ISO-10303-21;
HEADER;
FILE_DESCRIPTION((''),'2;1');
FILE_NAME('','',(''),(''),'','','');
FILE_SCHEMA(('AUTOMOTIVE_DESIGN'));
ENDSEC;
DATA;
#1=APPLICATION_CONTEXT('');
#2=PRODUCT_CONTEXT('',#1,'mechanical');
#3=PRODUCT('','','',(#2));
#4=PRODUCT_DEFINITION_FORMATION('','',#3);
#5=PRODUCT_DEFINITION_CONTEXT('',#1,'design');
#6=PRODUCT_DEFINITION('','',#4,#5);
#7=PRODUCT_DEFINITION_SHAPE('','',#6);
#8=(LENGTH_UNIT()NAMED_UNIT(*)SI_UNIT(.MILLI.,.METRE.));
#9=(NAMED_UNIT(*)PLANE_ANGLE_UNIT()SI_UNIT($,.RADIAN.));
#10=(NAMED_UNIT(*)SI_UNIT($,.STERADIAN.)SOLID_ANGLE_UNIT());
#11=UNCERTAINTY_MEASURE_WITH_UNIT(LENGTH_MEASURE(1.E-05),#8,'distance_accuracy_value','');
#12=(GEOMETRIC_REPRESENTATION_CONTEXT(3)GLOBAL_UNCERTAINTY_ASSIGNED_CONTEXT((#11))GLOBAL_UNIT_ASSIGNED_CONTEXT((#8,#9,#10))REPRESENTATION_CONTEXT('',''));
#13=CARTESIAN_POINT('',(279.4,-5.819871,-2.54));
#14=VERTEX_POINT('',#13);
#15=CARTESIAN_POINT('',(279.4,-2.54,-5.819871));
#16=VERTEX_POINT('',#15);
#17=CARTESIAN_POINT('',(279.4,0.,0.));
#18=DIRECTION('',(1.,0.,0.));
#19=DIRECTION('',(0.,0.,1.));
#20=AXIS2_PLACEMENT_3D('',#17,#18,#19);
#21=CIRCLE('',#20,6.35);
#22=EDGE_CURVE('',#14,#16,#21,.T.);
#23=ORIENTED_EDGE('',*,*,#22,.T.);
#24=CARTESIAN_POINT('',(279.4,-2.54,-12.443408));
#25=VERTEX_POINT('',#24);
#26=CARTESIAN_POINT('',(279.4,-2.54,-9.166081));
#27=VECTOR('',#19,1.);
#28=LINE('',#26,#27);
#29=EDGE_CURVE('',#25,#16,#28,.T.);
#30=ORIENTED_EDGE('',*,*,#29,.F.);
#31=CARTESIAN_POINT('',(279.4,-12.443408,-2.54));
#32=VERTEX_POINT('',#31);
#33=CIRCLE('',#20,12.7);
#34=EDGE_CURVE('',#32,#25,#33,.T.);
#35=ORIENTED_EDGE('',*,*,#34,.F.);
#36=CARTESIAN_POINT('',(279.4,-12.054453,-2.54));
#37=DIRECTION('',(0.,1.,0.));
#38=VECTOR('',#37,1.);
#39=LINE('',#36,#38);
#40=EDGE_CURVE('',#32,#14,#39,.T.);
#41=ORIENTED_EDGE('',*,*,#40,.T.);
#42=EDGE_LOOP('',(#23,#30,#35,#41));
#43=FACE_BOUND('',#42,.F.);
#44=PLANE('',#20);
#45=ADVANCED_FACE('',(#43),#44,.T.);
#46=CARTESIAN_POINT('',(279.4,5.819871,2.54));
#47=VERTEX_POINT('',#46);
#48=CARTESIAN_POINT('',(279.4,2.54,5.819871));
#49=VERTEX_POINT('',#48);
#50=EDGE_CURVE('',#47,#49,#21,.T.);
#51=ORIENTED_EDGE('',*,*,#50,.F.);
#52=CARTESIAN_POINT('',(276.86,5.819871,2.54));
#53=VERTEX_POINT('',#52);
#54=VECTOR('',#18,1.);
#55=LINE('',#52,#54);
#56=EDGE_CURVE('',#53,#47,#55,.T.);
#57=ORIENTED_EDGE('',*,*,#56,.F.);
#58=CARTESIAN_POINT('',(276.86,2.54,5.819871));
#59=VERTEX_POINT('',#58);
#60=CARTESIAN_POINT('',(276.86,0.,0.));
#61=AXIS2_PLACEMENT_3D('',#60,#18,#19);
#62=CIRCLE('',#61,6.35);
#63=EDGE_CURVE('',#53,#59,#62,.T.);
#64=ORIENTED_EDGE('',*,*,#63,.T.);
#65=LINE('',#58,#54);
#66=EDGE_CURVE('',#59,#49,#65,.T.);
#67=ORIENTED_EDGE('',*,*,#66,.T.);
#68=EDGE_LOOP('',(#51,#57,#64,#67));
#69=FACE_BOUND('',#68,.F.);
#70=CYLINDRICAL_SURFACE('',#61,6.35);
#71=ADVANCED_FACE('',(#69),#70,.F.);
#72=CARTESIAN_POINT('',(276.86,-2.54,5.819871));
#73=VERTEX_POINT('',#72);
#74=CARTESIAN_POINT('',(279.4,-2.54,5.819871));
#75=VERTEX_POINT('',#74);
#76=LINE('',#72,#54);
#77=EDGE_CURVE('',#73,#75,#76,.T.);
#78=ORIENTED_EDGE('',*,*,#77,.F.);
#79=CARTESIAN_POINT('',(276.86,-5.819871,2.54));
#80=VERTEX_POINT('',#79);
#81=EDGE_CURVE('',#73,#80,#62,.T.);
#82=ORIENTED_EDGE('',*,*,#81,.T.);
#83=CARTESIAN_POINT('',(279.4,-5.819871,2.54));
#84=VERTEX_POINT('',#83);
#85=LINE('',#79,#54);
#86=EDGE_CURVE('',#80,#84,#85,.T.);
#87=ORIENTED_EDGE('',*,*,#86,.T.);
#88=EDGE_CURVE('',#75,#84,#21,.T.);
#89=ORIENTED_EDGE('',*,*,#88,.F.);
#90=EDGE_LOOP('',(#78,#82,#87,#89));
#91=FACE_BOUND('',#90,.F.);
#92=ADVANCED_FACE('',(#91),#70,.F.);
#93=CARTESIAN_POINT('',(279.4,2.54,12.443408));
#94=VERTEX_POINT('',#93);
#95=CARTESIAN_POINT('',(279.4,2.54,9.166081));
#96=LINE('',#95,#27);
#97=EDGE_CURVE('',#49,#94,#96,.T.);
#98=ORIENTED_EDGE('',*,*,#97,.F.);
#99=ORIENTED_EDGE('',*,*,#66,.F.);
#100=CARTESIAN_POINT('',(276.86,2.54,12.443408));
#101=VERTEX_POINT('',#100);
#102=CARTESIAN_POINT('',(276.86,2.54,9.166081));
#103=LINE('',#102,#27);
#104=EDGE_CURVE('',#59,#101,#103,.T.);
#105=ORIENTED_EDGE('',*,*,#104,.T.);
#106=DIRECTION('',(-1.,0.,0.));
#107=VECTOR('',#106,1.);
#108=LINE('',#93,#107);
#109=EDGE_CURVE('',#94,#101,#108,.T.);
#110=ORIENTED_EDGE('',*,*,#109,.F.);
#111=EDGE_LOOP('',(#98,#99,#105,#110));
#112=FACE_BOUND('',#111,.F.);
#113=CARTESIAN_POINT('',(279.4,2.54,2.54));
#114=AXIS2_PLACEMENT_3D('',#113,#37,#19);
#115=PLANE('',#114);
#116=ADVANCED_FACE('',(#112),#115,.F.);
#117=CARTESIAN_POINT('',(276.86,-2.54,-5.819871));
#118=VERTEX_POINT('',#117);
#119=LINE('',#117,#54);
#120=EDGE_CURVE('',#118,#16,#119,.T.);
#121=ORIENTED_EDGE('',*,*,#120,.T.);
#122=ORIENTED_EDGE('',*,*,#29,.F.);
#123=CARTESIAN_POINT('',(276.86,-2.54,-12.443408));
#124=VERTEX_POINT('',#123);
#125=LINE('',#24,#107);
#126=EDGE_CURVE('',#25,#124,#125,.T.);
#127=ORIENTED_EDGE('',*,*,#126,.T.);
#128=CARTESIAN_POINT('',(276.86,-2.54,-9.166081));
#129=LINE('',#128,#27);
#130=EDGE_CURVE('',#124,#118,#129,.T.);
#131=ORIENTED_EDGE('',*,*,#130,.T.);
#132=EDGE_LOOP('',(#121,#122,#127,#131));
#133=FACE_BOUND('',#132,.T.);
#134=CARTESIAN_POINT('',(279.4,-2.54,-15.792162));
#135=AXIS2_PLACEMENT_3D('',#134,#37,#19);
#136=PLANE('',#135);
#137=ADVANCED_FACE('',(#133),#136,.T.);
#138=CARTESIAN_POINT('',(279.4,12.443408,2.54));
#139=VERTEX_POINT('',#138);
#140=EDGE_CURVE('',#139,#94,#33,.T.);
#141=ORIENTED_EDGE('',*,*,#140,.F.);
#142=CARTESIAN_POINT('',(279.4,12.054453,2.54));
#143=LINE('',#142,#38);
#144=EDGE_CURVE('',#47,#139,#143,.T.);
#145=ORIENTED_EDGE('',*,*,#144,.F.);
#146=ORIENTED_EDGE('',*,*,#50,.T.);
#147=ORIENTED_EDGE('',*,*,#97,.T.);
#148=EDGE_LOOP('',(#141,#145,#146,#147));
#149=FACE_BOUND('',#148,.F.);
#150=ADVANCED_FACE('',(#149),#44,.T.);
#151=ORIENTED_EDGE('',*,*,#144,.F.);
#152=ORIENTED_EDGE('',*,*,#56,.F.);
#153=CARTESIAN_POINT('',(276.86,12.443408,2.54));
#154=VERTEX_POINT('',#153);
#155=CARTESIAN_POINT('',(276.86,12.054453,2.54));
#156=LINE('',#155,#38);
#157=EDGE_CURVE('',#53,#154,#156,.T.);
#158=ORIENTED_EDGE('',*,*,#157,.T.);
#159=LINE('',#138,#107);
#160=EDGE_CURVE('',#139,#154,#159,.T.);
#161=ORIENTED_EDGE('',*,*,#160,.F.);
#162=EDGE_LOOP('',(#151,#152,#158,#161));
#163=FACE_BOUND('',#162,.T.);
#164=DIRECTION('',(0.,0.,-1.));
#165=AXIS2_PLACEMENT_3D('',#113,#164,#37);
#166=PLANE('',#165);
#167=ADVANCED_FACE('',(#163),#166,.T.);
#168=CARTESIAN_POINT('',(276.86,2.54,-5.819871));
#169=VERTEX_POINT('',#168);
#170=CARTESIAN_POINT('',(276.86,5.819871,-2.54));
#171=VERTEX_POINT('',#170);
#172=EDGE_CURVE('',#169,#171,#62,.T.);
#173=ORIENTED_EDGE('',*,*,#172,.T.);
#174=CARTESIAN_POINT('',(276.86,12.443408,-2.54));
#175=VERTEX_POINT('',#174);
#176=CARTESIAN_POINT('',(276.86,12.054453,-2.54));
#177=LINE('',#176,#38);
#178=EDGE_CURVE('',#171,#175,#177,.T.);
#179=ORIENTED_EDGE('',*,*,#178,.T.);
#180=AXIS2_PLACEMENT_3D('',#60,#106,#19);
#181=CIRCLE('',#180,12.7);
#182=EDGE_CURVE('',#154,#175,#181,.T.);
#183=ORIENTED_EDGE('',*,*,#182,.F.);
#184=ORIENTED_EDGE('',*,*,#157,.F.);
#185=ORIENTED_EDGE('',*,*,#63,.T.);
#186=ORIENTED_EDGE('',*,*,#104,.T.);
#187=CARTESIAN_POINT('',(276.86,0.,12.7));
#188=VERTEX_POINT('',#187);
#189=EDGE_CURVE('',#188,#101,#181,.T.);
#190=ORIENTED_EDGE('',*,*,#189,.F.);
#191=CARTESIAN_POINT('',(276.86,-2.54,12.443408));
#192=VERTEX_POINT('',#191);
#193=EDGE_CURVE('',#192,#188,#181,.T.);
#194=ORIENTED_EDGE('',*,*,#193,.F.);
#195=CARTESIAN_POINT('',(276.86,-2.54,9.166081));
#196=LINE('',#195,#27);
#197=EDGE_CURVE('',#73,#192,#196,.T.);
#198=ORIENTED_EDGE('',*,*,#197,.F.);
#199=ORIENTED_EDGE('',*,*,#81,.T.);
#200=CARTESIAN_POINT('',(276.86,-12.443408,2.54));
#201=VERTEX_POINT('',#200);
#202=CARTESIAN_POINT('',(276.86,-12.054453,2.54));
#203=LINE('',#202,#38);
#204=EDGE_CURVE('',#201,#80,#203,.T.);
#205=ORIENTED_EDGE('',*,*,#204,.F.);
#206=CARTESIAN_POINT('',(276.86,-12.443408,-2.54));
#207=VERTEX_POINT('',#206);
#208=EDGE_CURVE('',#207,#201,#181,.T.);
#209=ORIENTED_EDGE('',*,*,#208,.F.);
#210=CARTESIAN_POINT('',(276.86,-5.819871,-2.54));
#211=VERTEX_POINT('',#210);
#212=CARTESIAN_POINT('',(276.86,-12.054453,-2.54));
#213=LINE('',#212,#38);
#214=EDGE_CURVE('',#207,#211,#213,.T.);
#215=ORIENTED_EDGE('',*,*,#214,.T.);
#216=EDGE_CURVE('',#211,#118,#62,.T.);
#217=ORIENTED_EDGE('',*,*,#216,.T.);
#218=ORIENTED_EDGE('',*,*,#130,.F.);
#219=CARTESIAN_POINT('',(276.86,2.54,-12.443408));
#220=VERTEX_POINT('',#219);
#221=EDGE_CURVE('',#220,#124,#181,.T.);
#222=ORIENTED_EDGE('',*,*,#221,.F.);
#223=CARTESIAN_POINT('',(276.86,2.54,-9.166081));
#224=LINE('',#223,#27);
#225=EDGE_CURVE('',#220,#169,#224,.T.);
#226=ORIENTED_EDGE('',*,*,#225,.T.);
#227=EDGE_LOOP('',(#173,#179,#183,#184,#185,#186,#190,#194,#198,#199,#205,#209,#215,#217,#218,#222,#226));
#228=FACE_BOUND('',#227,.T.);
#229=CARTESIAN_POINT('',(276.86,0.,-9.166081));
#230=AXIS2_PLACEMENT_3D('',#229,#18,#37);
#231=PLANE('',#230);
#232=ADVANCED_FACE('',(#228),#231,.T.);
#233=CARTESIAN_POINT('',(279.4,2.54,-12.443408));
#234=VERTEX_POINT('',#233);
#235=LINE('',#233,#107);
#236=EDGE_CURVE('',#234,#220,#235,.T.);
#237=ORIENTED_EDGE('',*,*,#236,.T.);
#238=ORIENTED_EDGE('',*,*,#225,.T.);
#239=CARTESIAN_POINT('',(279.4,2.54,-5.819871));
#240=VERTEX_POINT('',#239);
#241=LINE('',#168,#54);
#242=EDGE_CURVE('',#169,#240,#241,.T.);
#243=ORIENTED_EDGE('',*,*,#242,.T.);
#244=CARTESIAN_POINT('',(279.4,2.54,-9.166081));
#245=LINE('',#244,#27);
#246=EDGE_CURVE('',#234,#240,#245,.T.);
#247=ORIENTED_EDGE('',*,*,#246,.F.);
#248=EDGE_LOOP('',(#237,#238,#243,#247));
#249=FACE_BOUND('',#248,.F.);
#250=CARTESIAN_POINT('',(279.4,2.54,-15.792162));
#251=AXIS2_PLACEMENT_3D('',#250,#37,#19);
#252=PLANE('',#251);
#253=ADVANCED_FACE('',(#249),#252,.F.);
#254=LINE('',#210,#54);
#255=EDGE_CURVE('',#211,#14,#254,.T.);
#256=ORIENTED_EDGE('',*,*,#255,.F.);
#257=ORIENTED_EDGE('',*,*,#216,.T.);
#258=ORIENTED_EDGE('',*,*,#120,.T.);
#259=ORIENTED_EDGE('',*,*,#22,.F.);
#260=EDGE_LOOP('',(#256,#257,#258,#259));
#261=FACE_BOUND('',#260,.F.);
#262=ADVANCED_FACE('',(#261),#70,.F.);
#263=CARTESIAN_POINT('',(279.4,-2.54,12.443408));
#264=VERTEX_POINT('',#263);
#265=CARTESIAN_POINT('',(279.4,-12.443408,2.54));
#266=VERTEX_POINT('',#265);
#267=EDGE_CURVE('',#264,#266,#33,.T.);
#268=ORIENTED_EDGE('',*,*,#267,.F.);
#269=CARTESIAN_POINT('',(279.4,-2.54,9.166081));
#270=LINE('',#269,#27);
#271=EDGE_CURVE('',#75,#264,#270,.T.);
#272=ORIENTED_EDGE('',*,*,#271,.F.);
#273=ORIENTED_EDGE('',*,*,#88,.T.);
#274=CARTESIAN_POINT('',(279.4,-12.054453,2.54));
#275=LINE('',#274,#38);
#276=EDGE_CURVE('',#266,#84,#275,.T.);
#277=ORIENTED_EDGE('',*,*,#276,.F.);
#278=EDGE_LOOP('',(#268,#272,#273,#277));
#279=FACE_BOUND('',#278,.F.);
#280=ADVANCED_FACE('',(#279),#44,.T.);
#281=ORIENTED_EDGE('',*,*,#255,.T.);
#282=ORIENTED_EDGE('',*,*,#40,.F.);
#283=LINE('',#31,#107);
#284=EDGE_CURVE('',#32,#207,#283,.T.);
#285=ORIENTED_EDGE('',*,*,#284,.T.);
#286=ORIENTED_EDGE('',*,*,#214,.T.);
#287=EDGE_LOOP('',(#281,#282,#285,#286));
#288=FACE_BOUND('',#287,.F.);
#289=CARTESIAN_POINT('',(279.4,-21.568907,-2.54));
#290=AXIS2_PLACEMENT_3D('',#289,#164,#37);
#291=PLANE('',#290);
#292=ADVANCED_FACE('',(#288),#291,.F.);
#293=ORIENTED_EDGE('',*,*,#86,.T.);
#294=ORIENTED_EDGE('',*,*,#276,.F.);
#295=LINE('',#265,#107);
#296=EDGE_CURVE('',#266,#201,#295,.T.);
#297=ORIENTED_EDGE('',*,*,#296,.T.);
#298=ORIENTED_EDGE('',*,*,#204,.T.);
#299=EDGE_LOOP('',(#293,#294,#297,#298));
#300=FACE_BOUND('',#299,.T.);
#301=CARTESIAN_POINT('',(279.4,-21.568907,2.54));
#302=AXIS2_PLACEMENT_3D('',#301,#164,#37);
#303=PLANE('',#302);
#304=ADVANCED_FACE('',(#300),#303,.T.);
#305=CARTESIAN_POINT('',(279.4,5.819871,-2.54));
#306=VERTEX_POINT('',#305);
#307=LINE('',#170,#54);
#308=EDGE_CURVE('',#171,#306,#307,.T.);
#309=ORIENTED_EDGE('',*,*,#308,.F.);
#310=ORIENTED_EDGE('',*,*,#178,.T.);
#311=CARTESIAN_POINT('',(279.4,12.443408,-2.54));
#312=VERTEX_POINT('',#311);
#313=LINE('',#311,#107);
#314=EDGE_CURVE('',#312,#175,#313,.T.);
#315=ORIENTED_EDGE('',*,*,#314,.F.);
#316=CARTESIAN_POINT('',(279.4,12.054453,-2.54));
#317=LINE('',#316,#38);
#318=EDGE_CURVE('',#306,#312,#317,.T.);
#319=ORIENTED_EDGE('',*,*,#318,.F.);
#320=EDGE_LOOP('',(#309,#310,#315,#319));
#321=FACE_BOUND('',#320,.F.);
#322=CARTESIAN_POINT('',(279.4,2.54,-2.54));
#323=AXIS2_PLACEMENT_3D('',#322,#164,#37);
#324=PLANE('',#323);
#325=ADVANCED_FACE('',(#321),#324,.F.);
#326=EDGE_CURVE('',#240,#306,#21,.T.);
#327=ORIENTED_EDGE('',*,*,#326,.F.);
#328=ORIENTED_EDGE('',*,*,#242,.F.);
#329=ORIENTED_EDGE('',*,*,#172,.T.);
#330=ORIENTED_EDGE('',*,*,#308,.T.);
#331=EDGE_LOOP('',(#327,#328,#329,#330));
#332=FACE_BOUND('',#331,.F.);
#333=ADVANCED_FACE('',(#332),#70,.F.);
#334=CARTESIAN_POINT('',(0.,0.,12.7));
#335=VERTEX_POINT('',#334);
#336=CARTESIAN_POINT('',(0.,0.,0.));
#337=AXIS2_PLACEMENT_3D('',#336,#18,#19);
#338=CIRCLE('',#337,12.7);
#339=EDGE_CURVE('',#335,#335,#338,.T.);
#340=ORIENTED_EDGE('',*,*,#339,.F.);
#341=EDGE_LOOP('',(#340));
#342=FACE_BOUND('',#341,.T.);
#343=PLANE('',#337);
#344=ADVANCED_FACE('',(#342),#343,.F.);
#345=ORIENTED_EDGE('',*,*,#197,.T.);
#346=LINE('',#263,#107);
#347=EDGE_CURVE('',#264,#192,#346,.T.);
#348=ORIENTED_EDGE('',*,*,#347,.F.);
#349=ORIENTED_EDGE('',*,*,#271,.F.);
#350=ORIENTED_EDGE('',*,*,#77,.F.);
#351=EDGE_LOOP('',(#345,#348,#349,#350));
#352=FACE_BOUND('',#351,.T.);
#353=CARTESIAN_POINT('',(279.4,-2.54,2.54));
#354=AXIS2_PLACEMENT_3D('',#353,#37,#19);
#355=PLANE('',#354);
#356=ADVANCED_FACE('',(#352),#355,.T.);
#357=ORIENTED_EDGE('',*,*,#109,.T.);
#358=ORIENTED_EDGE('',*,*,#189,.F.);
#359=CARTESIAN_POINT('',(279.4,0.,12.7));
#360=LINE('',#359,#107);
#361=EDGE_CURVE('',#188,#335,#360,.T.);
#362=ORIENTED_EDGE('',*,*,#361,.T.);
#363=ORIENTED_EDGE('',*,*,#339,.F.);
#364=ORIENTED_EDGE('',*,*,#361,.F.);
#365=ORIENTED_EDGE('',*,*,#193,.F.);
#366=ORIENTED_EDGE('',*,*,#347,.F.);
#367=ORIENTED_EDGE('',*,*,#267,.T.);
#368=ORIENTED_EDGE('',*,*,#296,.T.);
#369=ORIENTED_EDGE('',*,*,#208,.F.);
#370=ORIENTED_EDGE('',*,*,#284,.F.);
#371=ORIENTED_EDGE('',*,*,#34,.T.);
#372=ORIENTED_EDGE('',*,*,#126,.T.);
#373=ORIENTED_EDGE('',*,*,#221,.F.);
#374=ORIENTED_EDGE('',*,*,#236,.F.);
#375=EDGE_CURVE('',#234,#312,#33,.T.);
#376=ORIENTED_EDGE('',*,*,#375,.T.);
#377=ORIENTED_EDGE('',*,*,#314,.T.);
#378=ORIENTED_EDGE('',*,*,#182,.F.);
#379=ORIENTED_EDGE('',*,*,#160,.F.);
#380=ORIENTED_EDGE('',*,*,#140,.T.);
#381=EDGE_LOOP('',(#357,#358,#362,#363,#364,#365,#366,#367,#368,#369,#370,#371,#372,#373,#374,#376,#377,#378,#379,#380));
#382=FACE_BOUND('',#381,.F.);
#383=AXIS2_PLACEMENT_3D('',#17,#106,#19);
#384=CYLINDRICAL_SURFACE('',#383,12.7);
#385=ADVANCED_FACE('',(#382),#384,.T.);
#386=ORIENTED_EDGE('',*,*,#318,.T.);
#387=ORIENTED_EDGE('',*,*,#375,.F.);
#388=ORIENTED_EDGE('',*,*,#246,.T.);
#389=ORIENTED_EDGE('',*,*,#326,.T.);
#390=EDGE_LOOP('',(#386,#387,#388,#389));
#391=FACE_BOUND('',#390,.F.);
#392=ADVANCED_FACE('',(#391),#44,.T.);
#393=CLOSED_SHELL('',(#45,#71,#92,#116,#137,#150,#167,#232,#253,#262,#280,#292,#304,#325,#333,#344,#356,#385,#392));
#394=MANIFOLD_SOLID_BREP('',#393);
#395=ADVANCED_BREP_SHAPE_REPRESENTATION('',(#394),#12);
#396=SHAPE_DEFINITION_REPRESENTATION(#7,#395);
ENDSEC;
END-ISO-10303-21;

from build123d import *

# Parameters (mm, degrees)
F0_W     = 39.190798
F0_H     = 12.7
F0_W_2   = 212.120296
F3_W     = 5.08
F3_H     = 13.252163
F3_W_2   = 19.028907
F3_H_2   = 5.08
F4_DEPTH = 2.54
F5_DEPTH = 2.54


with BuildPart() as f1:
    # F0 (on Front) → F1 (revolve)
    with BuildSketch(Plane.XZ):
        with Locations((19.595399, 6.35)):
            Rectangle(F0_W, F0_H)
        with Locations((145.250946, 6.35)):
            Rectangle(F0_W_2, F0_H)
        Polygon((279.4, 12.7), (251.311094, 12.7), (251.311094, 0), (276.86, 0), (276.86, 6.35), (279.4, 6.35), align=None)
    revolve(axis=Axis((146.856308, 0, 0), (1, 0, 0)))

    # F3 (on face) → F4 (cut)
    with BuildSketch(Plane.YZ.offset(279.4)):
        with Locations((0, -9.166081)):
            Rectangle(F3_W, F3_H)
        with Locations((12.054453, 0)):
            Rectangle(F3_W_2, F3_H_2)
        with Locations((-12.054453, 0)):
            Rectangle(F3_W_2, F3_H_2)
        with Locations((0, 9.166081)):
            Rectangle(F3_W, F3_H)
    extrude(amount=-F4_DEPTH, mode=Mode.SUBTRACT)

    # F3 (on face) → F5 (cut)
    with BuildSketch(Plane.YZ.offset(279.4)):
        with Locations((0, -9.166081)):
            Rectangle(F3_W, F3_H)
        with Locations((12.054453, 0)):
            Rectangle(F3_W_2, F3_H_2)
        with Locations((-12.054453, 0)):
            Rectangle(F3_W_2, F3_H_2)
        with Locations((0, 9.166081)):
            Rectangle(F3_W, F3_H)
    extrude(amount=-F5_DEPTH, mode=Mode.SUBTRACT)


solid = f1.part
